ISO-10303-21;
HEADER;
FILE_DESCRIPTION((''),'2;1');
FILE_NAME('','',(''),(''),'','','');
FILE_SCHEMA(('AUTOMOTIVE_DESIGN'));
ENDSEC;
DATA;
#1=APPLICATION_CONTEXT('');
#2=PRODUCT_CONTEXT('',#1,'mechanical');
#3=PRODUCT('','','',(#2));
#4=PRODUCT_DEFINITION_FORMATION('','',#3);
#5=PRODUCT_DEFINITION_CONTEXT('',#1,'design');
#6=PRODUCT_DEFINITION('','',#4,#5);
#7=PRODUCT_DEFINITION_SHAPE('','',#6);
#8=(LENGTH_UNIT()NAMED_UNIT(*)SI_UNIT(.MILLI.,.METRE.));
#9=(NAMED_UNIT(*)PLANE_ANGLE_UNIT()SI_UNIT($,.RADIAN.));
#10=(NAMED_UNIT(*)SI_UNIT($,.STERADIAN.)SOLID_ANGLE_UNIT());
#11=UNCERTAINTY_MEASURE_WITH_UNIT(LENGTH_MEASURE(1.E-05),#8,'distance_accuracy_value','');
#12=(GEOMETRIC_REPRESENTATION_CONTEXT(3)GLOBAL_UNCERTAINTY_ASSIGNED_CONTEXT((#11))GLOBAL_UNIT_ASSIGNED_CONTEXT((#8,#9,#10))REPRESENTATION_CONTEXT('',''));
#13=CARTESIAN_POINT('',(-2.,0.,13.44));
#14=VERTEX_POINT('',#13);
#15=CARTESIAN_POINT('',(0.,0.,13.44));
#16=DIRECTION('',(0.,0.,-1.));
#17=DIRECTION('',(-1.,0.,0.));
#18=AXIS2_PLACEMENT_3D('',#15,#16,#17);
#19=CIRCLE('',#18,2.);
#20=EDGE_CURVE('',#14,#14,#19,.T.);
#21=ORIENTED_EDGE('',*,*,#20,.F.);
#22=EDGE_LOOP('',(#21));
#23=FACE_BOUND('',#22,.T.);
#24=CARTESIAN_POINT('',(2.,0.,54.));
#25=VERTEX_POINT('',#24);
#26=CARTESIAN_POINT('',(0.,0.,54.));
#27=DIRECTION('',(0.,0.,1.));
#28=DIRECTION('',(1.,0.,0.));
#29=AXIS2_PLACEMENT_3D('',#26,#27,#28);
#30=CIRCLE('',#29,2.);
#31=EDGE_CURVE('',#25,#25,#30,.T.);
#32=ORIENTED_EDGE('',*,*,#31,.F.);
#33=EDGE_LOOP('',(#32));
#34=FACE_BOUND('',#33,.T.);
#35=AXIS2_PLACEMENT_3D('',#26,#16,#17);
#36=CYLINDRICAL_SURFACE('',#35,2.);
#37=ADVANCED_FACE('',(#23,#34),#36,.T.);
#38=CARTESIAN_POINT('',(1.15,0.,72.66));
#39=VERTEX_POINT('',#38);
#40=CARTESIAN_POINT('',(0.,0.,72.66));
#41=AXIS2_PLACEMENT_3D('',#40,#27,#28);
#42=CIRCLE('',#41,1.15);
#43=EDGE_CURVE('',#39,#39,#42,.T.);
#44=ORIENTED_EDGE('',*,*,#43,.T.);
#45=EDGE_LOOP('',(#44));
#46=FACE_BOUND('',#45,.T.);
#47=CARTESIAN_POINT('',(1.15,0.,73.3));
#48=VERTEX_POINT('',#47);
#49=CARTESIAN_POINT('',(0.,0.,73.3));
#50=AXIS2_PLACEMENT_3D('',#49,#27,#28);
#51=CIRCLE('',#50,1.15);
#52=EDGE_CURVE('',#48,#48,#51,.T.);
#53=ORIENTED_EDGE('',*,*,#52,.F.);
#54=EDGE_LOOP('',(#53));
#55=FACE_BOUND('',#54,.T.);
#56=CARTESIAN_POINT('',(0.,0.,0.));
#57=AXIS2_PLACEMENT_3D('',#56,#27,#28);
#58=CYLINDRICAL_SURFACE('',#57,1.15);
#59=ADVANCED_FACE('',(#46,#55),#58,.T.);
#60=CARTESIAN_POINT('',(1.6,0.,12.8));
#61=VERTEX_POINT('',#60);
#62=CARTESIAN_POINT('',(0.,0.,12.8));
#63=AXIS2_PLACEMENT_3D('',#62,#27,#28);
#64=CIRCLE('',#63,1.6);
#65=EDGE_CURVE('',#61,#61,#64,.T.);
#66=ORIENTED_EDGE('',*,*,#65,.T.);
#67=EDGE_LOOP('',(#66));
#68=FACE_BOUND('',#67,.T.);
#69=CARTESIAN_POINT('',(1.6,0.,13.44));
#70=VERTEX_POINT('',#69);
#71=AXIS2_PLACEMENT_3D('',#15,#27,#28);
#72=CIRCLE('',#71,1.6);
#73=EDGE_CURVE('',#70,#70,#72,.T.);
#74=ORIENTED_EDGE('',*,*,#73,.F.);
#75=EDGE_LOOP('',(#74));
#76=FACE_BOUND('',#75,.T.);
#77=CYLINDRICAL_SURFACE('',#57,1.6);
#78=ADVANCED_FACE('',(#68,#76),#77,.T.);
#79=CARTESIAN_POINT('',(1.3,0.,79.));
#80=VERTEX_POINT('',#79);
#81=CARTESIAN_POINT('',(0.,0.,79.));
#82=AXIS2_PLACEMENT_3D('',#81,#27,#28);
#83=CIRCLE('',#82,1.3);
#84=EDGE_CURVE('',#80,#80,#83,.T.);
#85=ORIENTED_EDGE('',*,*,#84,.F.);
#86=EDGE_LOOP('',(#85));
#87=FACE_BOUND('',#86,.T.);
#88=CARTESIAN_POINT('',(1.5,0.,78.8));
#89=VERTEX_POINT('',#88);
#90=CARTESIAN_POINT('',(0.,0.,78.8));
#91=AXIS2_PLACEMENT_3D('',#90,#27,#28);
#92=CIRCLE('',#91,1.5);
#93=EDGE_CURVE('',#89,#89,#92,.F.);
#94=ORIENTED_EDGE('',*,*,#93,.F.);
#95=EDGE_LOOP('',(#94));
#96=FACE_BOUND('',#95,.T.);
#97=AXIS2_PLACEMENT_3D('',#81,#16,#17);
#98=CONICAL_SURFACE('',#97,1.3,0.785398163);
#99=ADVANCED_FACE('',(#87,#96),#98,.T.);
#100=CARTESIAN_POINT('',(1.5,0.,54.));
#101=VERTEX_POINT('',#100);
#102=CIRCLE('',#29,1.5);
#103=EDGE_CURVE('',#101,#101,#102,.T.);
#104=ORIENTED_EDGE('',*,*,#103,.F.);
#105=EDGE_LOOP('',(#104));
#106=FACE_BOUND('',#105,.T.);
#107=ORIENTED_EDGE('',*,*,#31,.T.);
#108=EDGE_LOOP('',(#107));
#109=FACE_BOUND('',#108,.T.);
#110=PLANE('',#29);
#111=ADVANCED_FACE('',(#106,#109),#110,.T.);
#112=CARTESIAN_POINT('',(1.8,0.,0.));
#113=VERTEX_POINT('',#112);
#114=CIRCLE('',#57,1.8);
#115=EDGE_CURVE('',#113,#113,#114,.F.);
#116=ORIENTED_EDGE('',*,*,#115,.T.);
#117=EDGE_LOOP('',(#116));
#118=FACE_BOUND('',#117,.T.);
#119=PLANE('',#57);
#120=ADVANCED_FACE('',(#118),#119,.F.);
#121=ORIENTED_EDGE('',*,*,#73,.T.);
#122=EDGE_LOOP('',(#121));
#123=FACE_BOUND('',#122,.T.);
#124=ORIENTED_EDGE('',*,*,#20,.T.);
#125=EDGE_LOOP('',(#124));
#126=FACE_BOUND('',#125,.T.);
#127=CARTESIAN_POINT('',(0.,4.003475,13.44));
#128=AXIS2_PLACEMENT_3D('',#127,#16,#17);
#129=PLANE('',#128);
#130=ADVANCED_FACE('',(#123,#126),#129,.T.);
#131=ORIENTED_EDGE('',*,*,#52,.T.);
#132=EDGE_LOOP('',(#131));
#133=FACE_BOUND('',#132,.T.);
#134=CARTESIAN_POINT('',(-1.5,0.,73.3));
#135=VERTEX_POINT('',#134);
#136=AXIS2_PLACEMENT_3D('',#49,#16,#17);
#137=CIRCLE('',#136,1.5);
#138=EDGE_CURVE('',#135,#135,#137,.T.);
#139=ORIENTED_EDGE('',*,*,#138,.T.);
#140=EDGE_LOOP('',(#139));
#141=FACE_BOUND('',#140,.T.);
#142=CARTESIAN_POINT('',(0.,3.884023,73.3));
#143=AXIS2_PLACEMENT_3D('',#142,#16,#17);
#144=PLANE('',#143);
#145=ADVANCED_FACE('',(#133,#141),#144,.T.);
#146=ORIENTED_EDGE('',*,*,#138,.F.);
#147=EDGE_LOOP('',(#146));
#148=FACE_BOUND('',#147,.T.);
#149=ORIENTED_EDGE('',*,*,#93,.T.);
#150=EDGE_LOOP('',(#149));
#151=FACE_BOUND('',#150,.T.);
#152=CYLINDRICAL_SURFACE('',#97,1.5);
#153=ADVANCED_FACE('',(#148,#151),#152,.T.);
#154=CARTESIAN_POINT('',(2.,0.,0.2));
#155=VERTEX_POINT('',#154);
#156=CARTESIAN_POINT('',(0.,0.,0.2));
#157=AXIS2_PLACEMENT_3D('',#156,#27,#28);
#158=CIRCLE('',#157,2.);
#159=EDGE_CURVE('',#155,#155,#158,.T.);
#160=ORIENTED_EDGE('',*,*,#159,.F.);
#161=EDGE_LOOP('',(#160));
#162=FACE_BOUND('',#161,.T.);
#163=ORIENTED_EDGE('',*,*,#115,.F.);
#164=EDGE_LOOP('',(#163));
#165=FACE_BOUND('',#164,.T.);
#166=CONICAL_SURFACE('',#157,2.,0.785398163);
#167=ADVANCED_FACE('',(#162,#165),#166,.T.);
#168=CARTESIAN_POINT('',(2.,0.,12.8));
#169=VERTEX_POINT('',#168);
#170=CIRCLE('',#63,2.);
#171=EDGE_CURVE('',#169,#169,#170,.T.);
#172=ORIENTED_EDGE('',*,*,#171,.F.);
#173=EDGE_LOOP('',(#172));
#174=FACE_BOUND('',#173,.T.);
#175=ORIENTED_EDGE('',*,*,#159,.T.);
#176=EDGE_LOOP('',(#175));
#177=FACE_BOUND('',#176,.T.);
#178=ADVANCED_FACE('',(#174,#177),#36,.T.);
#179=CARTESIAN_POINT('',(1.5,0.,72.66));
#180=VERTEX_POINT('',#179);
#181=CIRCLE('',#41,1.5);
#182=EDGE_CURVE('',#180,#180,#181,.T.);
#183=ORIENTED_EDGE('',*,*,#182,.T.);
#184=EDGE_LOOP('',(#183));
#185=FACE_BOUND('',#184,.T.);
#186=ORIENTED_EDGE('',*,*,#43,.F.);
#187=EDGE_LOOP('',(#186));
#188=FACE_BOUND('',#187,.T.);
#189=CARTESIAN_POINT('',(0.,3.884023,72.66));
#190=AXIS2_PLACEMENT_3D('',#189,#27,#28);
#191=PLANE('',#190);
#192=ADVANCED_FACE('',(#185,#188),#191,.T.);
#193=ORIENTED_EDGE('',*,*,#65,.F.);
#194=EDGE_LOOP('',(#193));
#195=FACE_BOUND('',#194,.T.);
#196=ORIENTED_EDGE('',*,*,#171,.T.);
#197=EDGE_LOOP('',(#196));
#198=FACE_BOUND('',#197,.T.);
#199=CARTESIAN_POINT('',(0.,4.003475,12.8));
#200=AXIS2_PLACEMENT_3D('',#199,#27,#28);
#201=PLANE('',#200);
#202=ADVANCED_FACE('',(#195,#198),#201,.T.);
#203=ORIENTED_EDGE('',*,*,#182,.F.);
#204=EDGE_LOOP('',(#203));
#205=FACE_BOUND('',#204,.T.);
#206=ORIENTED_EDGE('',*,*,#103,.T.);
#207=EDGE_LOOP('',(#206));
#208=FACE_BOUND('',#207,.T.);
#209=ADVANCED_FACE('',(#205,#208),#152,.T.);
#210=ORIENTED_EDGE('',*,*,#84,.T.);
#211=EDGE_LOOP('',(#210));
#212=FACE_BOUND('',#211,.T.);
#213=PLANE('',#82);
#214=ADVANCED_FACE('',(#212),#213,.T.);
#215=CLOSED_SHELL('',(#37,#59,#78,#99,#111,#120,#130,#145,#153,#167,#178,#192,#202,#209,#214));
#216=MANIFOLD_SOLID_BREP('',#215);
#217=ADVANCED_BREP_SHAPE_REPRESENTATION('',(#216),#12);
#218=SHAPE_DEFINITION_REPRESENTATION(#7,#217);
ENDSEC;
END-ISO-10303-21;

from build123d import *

# Parameters (mm, degrees)
ESQUISSE1_R          = 2
BASE_EXTRUSION_DEPTH = 54
ESQUISSE2_R          = 1.5
BOSS_EXTRU_1_DEPTH   = 25
CHANFREIN1_SIZE      = 0.2
ESQUISSE3_W          = 0.64
ESQUISSE3_H          = 2.403474903
ESQUISSE3_H_2        = 2.734022734


with BuildPart() as part:
    # Esquisse1 → Base-Extrusion (new body)
    with BuildSketch(Plane.XY):
        Circle(ESQUISSE1_R)
    extrude(amount=BASE_EXTRUSION_DEPTH)

    # Esquisse2 → Boss.-Extru.1 (add)
    with BuildSketch(Plane.XY.offset(54)):
        Circle(ESQUISSE2_R)
    extrude(amount=BOSS_EXTRU_1_DEPTH)

    # Chanfrein1
    chanfrein1_edges = [part.edges().sort_by_distance(p)[0] for p in [
        (-2, 0, 0),
        (-1.5, 0, 79),
    ]]
    chamfer(chanfrein1_edges, length=CHANFREIN1_SIZE)

    # Esquisse3 → Enlèvement de matière-Révolution1 (revolve, cut)
    with BuildSketch(Plane(origin=(0, 0, 0), x_dir=(0, 0, -1), z_dir=(1, 0, 0))):
        with Locations((-13.12, 2.801737452)):
            Rectangle(ESQUISSE3_W, ESQUISSE3_H)
        with Locations((-72.98, 2.517011367)):
            Rectangle(ESQUISSE3_W, ESQUISSE3_H_2)
    revolve(axis=Axis((0, 0, 0), (0, 0, -1)), mode=Mode.SUBTRACT)


solid = part.part
